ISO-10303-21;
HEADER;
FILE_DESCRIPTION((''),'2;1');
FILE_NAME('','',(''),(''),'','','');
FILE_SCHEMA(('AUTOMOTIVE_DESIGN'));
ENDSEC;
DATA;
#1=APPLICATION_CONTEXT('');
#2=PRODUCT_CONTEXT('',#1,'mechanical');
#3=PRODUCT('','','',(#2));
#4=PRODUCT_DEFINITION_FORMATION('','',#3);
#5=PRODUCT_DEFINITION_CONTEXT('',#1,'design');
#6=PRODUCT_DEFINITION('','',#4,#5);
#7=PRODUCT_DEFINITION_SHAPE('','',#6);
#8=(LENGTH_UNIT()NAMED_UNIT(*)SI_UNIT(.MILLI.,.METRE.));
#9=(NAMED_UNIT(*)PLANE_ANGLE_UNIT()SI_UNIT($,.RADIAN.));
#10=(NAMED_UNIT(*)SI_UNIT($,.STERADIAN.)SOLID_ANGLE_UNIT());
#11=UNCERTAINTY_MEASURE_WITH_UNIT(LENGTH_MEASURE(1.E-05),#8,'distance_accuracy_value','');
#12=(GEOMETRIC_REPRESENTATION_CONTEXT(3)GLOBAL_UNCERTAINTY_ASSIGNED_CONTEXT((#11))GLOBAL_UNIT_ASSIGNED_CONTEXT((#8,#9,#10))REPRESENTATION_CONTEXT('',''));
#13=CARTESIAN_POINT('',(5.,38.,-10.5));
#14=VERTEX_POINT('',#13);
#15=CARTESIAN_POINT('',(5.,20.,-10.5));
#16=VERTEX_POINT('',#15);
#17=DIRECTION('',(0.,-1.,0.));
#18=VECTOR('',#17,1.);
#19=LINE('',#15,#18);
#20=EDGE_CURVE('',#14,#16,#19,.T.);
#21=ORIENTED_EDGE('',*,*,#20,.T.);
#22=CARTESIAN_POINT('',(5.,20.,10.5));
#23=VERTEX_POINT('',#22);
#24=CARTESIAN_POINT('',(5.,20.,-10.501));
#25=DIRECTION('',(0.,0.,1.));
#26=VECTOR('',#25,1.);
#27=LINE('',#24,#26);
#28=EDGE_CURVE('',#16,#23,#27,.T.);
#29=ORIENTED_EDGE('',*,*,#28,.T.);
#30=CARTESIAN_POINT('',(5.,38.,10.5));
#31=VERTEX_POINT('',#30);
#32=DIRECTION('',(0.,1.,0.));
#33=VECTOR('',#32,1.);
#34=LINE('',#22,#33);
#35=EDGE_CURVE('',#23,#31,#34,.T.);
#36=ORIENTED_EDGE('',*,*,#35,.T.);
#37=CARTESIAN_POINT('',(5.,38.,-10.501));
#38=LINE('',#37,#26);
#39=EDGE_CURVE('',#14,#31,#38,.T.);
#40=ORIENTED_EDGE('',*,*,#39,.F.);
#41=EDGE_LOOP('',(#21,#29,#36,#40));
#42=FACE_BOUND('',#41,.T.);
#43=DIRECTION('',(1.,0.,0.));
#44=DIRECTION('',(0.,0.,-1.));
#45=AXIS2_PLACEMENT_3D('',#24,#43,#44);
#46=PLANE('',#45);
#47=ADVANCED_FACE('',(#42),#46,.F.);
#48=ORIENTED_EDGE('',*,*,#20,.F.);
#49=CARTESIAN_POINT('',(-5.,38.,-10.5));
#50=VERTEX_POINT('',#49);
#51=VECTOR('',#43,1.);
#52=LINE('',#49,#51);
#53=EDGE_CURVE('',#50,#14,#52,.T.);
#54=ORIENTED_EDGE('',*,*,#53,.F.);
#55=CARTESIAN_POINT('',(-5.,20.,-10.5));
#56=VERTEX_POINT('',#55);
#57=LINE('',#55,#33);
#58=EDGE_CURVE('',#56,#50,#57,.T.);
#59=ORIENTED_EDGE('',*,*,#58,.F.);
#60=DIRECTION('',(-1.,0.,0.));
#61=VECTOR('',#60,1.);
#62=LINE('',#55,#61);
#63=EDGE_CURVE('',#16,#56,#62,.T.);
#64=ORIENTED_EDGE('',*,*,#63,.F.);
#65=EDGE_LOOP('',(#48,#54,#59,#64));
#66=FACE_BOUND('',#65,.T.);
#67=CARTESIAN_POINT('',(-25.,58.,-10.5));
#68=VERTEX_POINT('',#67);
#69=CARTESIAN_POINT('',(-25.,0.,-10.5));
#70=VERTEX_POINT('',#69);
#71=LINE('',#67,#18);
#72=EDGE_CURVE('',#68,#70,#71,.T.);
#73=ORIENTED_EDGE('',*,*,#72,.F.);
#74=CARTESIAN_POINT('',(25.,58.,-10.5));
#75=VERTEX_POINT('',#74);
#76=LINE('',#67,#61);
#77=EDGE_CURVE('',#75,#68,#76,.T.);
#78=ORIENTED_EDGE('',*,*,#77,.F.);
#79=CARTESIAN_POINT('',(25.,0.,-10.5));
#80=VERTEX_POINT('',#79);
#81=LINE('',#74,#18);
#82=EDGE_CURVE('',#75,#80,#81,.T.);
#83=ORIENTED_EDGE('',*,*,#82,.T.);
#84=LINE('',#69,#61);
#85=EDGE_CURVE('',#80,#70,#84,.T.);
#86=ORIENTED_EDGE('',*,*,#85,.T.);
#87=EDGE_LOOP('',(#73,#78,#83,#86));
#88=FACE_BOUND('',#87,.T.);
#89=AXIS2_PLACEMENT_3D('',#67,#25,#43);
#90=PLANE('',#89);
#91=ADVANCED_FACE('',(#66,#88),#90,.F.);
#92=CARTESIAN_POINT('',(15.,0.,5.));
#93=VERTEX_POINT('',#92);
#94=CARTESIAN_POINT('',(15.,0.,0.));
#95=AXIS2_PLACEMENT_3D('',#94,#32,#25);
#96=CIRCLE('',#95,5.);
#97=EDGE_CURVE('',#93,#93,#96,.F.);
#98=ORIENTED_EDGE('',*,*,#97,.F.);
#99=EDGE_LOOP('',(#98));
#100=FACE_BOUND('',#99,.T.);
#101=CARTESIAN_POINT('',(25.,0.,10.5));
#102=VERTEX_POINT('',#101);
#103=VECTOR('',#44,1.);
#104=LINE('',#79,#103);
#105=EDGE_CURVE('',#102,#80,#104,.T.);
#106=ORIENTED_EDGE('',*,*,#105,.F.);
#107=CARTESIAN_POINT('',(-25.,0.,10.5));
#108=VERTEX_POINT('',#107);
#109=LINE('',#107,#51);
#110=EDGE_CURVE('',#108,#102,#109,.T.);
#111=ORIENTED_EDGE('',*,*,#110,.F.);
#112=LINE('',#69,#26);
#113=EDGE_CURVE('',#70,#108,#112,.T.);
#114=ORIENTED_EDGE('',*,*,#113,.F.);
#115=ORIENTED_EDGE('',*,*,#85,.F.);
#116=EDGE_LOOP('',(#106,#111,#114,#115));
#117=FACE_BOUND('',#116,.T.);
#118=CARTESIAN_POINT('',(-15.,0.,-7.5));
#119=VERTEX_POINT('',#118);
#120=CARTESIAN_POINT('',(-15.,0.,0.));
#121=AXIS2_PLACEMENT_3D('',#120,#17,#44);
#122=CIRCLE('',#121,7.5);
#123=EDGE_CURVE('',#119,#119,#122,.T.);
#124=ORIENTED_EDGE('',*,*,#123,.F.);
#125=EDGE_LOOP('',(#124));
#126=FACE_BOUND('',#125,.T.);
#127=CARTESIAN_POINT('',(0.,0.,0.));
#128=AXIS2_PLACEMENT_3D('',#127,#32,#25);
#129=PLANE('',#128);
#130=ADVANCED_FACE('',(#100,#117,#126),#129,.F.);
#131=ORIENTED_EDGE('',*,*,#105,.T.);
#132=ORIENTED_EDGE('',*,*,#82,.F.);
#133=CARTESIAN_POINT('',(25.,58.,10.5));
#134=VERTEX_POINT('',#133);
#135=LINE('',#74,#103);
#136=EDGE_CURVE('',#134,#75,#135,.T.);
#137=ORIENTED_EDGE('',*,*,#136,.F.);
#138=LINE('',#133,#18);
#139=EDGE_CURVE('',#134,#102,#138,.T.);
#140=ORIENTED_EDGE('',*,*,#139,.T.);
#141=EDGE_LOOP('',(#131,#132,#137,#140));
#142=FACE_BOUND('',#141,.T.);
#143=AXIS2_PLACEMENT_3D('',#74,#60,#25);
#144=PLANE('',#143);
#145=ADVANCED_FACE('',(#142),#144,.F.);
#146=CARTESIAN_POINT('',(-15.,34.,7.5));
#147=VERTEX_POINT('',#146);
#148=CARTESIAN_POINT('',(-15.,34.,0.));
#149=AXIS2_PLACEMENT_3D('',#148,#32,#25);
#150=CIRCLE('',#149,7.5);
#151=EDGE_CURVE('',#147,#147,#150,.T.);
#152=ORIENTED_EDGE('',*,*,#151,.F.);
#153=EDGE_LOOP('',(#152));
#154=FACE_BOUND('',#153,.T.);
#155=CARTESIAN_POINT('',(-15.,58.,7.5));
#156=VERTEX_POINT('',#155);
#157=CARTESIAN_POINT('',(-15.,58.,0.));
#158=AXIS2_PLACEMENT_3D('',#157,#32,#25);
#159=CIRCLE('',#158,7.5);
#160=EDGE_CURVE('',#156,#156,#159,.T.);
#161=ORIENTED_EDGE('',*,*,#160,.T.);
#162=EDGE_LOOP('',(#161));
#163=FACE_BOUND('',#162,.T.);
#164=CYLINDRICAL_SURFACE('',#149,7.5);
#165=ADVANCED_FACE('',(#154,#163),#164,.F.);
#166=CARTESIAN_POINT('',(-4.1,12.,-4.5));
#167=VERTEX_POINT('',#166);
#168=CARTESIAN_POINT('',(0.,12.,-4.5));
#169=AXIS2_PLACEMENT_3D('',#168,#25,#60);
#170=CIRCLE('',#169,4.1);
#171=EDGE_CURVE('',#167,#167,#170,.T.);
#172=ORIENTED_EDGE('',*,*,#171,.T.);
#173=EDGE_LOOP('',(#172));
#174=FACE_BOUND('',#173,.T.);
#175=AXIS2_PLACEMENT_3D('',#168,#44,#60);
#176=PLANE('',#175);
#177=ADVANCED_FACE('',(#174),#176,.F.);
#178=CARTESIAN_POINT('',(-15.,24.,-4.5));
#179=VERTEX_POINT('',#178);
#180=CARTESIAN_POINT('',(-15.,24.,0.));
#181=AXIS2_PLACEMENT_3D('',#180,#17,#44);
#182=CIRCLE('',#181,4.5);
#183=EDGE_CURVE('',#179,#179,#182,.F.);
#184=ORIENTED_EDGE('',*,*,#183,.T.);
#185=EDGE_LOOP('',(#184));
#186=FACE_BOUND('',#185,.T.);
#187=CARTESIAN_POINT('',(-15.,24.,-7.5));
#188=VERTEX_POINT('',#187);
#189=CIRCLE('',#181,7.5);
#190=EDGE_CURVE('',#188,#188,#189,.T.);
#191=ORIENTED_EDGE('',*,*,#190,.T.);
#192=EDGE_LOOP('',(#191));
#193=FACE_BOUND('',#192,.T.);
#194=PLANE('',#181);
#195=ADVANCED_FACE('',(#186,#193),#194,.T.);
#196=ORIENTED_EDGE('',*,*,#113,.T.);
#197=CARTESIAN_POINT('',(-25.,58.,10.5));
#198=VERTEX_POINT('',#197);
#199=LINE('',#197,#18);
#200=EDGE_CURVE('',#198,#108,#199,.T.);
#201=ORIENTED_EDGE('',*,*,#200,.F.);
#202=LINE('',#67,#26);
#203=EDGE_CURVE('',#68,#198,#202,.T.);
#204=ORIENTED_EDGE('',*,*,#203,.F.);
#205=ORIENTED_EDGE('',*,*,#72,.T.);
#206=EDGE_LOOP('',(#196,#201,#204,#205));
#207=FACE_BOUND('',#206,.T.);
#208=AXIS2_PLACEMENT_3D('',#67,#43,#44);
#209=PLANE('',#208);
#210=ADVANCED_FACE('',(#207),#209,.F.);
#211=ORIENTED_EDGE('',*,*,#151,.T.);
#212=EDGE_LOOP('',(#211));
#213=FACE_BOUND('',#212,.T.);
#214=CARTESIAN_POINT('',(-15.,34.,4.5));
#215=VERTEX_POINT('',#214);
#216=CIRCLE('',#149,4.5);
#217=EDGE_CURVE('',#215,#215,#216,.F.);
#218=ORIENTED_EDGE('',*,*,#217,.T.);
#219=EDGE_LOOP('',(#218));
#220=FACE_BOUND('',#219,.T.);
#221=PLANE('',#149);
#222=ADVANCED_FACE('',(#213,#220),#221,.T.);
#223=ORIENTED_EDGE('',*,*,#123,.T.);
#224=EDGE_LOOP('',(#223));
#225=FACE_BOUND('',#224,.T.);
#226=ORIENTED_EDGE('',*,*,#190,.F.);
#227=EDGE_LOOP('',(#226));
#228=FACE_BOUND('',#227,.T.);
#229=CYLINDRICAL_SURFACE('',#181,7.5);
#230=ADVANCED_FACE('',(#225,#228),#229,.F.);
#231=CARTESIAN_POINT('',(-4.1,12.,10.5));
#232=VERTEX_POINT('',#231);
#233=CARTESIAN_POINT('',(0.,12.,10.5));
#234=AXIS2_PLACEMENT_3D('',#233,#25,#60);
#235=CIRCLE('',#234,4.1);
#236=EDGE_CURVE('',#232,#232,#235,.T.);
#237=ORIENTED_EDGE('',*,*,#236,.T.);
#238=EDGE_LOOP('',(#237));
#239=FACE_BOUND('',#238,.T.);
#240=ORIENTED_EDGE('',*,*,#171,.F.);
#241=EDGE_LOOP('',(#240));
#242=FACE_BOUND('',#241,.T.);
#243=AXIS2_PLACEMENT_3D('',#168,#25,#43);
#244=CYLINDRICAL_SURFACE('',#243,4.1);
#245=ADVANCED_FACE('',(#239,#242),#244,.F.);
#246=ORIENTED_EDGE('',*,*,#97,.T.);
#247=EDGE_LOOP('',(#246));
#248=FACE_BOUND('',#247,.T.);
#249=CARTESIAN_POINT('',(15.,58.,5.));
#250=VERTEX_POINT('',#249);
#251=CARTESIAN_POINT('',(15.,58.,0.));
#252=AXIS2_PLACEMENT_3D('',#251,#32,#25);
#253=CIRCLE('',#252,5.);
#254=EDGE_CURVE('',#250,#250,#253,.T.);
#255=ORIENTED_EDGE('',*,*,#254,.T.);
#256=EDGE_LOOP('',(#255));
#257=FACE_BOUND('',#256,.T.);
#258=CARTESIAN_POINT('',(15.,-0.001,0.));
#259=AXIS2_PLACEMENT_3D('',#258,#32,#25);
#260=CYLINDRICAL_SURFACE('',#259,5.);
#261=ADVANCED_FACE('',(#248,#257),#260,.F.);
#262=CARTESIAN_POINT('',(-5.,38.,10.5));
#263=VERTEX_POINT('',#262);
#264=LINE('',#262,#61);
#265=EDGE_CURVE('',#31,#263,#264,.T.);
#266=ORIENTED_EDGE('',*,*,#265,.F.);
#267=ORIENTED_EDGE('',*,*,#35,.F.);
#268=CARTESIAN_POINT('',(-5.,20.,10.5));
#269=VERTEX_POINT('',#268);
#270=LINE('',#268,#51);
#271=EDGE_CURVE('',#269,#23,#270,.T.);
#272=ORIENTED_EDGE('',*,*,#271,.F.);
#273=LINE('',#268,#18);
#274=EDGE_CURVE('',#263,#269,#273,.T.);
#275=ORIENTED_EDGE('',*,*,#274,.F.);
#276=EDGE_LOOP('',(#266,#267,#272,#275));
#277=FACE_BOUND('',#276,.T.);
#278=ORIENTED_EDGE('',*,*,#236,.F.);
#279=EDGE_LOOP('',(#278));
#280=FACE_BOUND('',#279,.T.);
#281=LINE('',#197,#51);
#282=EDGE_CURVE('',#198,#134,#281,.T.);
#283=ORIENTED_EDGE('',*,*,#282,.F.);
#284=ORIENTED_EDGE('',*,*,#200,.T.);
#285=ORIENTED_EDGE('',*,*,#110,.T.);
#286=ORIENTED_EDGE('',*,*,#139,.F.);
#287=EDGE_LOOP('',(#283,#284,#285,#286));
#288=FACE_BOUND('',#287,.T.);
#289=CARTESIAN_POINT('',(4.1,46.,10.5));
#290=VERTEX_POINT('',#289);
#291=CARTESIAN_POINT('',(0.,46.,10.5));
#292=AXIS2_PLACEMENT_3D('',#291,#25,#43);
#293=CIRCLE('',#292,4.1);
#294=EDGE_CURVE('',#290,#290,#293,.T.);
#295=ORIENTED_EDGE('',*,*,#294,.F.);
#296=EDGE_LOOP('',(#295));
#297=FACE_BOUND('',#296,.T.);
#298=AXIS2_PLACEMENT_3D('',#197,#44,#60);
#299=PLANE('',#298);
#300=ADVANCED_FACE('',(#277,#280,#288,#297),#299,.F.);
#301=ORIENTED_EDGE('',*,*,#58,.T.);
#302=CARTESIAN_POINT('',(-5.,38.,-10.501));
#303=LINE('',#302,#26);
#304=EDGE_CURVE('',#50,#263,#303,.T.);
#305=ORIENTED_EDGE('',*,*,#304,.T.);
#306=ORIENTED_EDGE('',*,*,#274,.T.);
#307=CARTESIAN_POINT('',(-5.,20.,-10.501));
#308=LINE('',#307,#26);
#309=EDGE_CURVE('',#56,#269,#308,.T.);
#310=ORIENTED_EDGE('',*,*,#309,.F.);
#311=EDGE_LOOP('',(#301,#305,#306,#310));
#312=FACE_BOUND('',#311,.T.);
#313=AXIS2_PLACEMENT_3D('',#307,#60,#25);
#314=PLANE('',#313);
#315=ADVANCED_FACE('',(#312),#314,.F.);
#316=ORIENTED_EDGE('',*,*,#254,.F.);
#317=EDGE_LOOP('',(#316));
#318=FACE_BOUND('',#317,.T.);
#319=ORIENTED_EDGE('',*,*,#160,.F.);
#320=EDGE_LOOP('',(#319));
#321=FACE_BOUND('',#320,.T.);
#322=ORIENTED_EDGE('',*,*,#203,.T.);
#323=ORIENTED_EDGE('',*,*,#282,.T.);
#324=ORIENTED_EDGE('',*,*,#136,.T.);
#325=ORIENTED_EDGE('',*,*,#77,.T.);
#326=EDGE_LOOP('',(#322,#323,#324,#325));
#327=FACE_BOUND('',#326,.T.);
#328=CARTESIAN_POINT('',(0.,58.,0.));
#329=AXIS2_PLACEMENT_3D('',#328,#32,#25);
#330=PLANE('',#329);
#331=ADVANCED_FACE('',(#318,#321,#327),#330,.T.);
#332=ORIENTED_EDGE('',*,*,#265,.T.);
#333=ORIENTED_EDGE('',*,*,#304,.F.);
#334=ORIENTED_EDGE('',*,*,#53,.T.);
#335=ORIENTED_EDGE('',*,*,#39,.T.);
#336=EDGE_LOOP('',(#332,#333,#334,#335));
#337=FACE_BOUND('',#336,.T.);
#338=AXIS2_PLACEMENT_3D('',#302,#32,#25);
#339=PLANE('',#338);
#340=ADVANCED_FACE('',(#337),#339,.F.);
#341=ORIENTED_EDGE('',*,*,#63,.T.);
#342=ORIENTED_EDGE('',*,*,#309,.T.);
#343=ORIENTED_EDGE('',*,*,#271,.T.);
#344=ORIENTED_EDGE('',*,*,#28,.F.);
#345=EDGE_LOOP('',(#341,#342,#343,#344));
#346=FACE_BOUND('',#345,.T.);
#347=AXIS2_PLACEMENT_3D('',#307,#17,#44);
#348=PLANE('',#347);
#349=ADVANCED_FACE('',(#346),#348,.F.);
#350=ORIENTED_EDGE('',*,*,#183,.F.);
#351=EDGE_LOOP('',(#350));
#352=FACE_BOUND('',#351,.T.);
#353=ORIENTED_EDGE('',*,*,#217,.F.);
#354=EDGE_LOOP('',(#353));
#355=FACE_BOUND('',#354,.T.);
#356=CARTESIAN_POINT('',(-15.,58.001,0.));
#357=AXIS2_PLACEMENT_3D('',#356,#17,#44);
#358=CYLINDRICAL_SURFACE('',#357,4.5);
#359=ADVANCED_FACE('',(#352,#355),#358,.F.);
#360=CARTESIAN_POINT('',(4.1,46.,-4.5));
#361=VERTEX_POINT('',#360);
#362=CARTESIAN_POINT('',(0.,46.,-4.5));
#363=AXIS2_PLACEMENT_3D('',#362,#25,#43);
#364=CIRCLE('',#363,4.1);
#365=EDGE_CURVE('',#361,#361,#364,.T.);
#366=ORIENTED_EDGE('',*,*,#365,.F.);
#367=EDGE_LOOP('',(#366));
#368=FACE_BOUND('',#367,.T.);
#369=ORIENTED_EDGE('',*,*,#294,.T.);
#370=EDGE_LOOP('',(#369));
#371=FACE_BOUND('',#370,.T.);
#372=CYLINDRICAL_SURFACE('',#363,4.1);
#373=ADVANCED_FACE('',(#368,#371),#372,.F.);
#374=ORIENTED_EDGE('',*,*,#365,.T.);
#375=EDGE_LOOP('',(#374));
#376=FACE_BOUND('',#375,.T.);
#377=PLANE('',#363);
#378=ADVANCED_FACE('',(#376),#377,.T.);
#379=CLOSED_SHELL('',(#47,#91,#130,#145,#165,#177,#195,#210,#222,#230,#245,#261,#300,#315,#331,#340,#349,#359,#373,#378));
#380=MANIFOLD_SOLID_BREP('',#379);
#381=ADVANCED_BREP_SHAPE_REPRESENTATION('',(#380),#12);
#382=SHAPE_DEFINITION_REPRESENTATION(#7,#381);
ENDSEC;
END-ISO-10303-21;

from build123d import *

# Parameters (mm, degrees)
SKETCH1_W           = 50
SKETCH1_H           = 21
BOSS_EXTRUDE1_DEPTH = 58
SKETCH3_R           = 7.5
CUT_EXTRUDE1_DEPTH  = 24
CUT_EXTRUDE2_REACH  = 66.025
SKETCH4_R           = 5
CUT_EXTRUDE3_START  = -24
SKETCH5_R           = 7.5
CUT_EXTRUDE3_DEPTH  = 24
CUT_EXTRUDE4_REACH  = 66.025
SKETCH6_R           = 4.5
CUT_EXTRUDE5_REACH  = 68.558
SKETCH8_W           = 10
SKETCH8_H           = 18
SKETCH7_R           = 4.1
CUT_EXTRUDE6_DEPTH  = 15


with BuildPart() as part:
    # Sketch1 → Boss-Extrude1 (new body)
    with BuildSketch(Plane(origin=(0, 0, 0), x_dir=(1, 0, 0), z_dir=(0, 1, 0))):
        Rectangle(SKETCH1_W, SKETCH1_H)
    extrude(amount=BOSS_EXTRUDE1_DEPTH)

    # Sketch3 → Cut-Extrude1 (cut)
    with BuildSketch(Plane(origin=(0, 58, 0), x_dir=(1, 0, 0), z_dir=(0, 1, 0))):
        with Locations(Location((-15, 0, 0), (0, 0, 270))):
            Circle(SKETCH3_R)
    extrude(amount=-CUT_EXTRUDE1_DEPTH, mode=Mode.SUBTRACT)

    # Sketch4 → Cut-Extrude2 (cut, up to next)
    with BuildSketch(Plane(origin=(0, 58, 0), x_dir=(1, 0, 0), z_dir=(0, 1, 0)), mode=Mode.PRIVATE) as cut_extrude2_sk1:
        with Locations(Location((15, 0, 0), (0, 0, 270))):
            Circle(SKETCH4_R)
    cut_extrude2_tool1 = extrude(cut_extrude2_sk1.sketch, amount=-CUT_EXTRUDE2_REACH, mode=Mode.PRIVATE) & part.part
    add(cut_extrude2_tool1.solids().sort_by_distance((15, 58, 0))[0], mode=Mode.SUBTRACT)

    # Sketch5 → Cut-Extrude3 (cut)
    with BuildSketch(Plane.XZ.offset(CUT_EXTRUDE3_START)):
        with Locations(Location((-15, 0, 0), (0, 0, 90))):
            Circle(SKETCH5_R)
    extrude(amount=CUT_EXTRUDE3_DEPTH, mode=Mode.SUBTRACT)

    # Sketch6 → Cut-Extrude4 (cut, up to next)
    with BuildSketch(Plane.XZ, mode=Mode.PRIVATE) as cut_extrude4_sk1:
        with Locations(Location((-15, 0, 0), (0, 0, 270))):
            Circle(SKETCH6_R)
    cut_extrude4_tool1 = extrude(cut_extrude4_sk1.sketch, amount=-CUT_EXTRUDE4_REACH, mode=Mode.PRIVATE) & part.part
    add(cut_extrude4_tool1.solids().sort_by_distance((-15, 0, 0))[0], mode=Mode.SUBTRACT)

    # Sketch8 → Cut-Extrude5 (cut, up to next)
    with BuildSketch(Plane.XY.offset(10.5), mode=Mode.PRIVATE) as cut_extrude5_sk1:
        with Locations((0, 29)):
            Rectangle(SKETCH8_W, SKETCH8_H)
    cut_extrude5_tool1 = extrude(cut_extrude5_sk1.sketch, amount=-CUT_EXTRUDE5_REACH, mode=Mode.PRIVATE) & part.part
    add(cut_extrude5_tool1.solids().sort_by_distance((0, 29, 10.5))[0], mode=Mode.SUBTRACT)

    # Sketch7 → Cut-Extrude6 (cut)
    with BuildSketch(Plane.XY.offset(10.5)):
        with Locations((0, 46)):
            Circle(SKETCH7_R)
        with Locations(Location((0, 12, 0), (0, 0, 180))):
            Circle(SKETCH7_R)
    extrude(amount=-CUT_EXTRUDE6_DEPTH, mode=Mode.SUBTRACT)


solid = part.part
